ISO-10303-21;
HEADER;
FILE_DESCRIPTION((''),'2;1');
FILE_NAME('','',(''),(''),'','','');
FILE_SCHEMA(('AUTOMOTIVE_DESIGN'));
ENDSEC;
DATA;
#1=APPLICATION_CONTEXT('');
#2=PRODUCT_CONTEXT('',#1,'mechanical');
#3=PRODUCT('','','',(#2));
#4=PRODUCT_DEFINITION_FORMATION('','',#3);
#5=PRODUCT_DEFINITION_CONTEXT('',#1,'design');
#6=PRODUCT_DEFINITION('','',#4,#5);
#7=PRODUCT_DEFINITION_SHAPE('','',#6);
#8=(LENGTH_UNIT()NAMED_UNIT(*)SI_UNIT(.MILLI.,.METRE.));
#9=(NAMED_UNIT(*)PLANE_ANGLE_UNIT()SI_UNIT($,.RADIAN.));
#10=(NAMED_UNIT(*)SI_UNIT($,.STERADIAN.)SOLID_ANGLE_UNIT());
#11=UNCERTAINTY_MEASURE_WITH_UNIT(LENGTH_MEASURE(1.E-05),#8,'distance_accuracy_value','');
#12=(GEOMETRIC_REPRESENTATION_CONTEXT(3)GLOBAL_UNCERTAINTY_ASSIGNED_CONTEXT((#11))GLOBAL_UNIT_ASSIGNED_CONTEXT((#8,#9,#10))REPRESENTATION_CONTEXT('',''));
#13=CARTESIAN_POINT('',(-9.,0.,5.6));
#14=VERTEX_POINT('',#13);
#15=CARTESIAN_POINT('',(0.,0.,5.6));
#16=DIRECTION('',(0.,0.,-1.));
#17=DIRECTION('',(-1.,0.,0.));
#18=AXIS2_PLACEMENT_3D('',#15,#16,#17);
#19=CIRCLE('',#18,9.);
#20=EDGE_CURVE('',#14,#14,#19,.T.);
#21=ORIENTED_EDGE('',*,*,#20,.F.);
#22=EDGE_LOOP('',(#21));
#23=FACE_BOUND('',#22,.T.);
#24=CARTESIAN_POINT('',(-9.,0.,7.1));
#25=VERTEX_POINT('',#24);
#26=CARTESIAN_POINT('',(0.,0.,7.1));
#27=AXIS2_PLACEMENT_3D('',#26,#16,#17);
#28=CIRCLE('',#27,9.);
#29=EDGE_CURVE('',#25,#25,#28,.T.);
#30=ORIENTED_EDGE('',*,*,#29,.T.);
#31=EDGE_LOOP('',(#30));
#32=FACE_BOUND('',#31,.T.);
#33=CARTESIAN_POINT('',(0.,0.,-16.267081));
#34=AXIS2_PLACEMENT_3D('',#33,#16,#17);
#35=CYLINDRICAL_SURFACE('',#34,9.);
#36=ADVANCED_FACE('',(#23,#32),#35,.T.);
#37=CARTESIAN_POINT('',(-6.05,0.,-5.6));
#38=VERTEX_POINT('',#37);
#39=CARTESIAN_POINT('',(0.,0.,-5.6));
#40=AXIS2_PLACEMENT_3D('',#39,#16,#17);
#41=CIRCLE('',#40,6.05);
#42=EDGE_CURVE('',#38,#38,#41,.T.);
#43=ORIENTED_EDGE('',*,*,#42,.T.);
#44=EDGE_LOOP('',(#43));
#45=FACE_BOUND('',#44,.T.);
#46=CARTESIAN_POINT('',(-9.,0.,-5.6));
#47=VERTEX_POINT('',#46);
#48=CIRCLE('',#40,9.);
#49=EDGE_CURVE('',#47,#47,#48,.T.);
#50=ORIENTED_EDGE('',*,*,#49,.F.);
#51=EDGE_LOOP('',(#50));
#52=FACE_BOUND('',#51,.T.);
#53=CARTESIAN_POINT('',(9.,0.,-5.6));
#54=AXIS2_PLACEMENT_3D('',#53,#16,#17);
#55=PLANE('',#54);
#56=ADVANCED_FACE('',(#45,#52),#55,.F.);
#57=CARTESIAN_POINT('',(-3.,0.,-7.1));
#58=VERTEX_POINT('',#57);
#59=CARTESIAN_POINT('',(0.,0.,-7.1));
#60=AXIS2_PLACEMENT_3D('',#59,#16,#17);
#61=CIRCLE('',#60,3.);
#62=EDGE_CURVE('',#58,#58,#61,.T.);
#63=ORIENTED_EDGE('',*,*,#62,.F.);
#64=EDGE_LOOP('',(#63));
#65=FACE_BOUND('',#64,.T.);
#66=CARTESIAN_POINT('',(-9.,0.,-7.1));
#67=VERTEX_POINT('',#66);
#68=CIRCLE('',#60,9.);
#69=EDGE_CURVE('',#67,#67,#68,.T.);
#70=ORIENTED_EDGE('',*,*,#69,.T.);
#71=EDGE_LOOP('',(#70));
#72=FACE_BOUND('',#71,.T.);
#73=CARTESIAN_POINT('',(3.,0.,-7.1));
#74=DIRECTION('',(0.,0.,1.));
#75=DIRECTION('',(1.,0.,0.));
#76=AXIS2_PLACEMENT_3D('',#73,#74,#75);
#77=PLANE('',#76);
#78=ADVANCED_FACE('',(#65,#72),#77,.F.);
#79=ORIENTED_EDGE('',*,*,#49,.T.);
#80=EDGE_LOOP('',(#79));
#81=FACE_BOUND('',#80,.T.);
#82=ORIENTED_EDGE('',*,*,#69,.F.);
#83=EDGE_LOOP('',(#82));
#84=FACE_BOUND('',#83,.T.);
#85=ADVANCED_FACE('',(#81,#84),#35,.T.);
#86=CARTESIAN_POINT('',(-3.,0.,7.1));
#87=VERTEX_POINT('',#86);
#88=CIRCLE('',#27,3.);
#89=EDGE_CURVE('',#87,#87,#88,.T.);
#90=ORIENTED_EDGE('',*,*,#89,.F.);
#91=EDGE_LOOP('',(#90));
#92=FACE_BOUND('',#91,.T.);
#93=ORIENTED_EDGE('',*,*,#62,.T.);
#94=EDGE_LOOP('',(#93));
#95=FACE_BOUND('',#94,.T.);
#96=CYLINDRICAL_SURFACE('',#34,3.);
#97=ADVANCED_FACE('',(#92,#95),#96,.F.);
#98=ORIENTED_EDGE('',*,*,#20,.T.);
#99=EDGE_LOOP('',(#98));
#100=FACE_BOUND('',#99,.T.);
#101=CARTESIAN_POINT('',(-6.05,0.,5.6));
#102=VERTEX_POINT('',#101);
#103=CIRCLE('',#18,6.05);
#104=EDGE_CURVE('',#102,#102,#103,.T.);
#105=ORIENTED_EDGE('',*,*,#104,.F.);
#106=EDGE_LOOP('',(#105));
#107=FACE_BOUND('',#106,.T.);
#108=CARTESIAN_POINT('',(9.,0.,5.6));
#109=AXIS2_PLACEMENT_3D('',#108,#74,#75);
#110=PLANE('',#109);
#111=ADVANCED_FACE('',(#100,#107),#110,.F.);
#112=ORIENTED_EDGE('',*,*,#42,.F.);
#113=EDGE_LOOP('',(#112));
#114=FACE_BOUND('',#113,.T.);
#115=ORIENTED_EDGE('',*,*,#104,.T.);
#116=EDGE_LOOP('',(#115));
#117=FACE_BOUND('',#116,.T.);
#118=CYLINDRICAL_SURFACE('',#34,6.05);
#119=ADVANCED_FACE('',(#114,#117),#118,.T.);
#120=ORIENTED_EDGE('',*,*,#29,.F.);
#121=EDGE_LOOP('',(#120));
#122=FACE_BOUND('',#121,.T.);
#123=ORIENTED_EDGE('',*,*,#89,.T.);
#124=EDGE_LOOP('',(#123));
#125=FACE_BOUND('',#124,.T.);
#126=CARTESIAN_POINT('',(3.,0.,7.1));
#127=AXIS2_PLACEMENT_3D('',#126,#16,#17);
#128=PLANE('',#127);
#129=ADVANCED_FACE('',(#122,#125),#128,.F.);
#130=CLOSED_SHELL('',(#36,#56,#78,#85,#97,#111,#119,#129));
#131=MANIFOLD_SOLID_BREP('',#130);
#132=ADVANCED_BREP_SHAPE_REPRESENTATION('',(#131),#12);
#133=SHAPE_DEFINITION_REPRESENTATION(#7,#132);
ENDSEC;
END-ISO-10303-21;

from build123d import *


with BuildPart() as part:
    # Sketch1 → Revolve1 (revolve)
    with BuildSketch(Plane(origin=(0, 0, 0), x_dir=(1, 0, 0), z_dir=(0, 1, 0)), mode=Mode.PRIVATE) as revolve1_sk:
        Polygon((3, -7.1), (3, 7.1), (9, 7.1), (9, 5.6), (6.05, 5.6), (6.05, 0), (6.05, -5.6), (9, -5.6), (9, -7.1), align=None)
    revolve(revolve1_sk.sketch.rotate(Axis((0, 0, -16.267080745), (0, 0, 1)), 180), axis=Axis((0, 0, -16.267080745), (0, 0, 1)))


solid = part.part
